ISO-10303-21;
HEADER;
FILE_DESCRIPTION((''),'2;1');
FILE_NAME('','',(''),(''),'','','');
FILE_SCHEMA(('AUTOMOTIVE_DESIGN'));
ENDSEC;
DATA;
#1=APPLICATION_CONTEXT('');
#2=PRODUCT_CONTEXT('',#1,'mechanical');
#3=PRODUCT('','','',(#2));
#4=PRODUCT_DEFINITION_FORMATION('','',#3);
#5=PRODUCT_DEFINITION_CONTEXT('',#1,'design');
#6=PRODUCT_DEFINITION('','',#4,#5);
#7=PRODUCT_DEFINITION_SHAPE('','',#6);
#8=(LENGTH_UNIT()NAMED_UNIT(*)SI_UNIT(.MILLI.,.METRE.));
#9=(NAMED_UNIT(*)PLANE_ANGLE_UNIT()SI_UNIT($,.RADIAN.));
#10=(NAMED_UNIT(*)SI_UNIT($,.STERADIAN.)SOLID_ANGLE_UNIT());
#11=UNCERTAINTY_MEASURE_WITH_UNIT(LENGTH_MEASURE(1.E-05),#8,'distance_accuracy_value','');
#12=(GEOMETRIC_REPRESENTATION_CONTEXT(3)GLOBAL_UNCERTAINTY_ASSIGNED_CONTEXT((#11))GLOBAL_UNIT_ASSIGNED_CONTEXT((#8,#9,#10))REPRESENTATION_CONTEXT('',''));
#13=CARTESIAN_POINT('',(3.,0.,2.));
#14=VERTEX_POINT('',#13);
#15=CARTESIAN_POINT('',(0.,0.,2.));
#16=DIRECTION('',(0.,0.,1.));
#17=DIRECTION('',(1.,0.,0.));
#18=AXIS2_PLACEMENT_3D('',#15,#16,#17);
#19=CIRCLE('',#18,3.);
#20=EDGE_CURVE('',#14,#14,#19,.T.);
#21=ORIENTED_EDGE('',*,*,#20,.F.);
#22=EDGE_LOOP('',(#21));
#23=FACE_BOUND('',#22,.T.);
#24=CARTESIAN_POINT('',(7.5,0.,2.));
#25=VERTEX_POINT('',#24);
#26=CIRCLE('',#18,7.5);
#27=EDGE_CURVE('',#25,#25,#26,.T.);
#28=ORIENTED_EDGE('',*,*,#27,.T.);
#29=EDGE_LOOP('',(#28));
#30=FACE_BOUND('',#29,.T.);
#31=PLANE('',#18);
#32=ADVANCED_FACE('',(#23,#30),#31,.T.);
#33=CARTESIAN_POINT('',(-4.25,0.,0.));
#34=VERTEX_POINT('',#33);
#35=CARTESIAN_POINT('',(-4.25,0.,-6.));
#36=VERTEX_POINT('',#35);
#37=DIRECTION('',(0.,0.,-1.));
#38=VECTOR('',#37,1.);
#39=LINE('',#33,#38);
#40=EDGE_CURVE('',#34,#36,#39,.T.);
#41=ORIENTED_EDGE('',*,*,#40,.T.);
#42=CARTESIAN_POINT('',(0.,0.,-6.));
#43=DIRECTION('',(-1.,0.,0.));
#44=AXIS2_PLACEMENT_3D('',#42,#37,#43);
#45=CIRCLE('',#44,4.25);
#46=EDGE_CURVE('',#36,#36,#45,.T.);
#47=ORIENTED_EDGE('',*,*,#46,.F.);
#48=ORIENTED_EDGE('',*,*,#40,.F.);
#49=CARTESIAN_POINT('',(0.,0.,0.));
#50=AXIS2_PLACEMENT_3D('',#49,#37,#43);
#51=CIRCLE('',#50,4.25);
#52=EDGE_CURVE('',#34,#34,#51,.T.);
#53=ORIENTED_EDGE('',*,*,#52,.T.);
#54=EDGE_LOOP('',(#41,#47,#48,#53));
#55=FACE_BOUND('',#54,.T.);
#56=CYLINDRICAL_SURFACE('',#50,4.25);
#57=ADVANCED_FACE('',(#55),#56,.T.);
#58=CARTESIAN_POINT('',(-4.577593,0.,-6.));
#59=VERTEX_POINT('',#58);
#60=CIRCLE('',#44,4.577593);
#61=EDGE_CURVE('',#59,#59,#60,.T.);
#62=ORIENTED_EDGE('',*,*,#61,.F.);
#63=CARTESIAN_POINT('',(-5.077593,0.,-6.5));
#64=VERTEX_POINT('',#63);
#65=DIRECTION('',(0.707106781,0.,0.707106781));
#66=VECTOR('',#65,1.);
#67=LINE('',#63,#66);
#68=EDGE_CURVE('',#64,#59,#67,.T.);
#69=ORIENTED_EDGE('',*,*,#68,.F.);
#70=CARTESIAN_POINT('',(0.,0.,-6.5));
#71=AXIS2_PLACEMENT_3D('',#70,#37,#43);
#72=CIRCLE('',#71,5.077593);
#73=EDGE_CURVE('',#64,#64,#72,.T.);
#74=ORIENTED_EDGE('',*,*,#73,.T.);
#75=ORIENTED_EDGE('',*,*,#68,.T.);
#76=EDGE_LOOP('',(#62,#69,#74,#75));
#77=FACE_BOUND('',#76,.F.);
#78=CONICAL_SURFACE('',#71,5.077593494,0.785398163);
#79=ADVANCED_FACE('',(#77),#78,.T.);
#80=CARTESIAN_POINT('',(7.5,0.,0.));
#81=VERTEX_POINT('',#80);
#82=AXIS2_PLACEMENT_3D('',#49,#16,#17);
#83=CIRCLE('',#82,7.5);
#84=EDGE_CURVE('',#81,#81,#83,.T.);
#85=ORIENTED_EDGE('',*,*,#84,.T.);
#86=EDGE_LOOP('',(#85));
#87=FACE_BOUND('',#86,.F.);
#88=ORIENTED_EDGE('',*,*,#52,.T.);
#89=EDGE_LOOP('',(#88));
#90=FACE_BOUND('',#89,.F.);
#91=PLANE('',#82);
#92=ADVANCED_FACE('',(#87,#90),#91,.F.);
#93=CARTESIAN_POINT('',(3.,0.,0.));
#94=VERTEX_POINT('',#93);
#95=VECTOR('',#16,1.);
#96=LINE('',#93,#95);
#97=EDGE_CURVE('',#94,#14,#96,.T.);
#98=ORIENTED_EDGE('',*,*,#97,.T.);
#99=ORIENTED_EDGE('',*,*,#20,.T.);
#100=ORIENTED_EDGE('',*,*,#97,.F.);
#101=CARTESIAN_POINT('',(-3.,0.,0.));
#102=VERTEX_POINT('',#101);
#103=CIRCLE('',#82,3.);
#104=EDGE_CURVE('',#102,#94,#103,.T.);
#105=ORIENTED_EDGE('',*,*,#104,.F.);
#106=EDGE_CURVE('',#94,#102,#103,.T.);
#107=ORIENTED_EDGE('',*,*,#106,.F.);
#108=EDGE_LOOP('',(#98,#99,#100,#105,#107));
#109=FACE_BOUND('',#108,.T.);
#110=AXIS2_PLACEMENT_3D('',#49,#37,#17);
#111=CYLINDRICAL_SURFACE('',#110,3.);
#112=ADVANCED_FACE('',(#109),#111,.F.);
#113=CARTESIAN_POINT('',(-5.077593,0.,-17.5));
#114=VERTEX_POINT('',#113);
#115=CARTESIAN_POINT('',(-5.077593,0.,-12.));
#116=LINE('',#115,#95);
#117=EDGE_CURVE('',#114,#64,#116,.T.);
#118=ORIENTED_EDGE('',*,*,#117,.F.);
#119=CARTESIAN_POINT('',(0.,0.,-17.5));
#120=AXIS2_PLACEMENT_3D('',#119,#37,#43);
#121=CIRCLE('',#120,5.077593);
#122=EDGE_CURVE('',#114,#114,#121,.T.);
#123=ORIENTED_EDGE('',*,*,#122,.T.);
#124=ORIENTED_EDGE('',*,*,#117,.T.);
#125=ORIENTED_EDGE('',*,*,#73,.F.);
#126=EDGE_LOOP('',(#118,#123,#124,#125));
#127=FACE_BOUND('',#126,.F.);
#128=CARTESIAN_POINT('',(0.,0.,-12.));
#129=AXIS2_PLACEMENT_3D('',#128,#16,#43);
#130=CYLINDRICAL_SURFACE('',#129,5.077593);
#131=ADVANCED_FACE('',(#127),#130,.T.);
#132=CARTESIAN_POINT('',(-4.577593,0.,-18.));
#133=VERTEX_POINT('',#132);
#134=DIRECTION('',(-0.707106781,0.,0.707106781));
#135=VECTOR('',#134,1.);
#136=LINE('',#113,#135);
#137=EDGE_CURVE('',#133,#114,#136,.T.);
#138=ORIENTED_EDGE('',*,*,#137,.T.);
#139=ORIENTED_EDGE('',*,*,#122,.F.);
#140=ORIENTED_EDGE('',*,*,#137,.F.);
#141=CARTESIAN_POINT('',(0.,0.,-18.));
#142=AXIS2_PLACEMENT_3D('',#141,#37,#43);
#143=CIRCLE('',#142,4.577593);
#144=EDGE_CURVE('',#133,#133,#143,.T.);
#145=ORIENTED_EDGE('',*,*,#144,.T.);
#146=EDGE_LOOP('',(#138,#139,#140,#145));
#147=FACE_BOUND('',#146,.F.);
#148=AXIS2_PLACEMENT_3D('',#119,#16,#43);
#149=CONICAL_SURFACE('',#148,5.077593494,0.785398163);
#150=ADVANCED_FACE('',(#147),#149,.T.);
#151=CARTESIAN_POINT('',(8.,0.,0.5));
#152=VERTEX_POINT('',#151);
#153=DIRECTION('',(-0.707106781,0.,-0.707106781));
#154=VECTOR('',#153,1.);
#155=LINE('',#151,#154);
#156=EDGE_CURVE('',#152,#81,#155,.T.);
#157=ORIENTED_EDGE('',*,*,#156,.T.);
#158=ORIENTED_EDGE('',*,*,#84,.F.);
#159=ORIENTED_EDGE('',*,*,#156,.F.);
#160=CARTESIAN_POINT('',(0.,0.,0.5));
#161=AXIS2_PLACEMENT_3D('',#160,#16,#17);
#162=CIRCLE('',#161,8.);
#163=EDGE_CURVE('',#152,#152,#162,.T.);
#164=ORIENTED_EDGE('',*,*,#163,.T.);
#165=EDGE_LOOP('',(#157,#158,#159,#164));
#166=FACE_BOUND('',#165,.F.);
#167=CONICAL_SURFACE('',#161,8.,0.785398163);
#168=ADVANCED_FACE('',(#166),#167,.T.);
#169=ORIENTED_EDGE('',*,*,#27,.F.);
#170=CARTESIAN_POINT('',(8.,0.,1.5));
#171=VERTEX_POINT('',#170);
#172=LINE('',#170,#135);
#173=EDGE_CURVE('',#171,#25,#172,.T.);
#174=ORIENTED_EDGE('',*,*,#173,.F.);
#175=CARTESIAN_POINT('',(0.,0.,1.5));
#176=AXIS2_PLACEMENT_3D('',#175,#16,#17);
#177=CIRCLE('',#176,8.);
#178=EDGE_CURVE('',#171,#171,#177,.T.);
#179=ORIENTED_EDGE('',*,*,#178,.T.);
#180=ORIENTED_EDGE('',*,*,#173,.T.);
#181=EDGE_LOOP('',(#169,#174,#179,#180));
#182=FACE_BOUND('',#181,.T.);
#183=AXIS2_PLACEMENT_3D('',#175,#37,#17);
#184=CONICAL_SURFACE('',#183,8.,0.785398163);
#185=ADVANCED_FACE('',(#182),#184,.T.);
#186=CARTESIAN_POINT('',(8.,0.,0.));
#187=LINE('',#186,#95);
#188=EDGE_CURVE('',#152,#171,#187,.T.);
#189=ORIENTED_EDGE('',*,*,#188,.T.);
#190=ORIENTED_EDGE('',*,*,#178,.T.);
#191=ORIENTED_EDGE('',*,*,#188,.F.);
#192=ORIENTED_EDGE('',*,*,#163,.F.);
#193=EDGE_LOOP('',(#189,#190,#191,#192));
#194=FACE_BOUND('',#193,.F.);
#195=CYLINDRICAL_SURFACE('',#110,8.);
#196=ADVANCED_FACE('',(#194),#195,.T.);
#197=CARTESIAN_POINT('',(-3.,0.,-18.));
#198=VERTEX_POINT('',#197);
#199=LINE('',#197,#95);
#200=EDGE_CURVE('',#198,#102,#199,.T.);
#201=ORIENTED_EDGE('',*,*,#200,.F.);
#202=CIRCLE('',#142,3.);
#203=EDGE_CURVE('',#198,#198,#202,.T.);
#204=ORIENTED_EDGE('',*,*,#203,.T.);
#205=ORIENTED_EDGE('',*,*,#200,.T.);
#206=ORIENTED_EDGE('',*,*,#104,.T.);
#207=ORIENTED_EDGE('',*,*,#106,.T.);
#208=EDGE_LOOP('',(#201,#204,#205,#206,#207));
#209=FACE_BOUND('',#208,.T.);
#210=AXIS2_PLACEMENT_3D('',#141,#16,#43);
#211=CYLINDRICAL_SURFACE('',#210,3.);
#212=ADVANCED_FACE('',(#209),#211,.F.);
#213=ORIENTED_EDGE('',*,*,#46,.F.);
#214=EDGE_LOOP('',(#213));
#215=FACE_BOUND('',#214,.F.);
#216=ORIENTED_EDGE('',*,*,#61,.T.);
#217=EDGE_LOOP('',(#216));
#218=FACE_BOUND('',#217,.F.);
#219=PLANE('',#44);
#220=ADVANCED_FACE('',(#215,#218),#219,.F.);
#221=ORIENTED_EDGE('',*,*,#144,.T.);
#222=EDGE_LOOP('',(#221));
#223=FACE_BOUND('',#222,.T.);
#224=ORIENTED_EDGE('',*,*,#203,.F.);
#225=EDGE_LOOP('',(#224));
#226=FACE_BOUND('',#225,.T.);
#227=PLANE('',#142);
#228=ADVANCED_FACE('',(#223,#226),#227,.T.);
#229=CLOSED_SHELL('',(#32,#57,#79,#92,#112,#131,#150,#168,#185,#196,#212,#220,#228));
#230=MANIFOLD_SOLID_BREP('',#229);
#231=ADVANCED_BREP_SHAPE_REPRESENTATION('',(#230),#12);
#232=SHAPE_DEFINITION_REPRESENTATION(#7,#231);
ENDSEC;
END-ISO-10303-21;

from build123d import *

# Parameters (mm, degrees)
F0_R     = 8
F0_R_2   = 3
F2_DEPTH = 2
F3_SIZE2 = 0.5
F3_SIZE  = 0.5
F1_W     = 0.8275934942
F1_H     = 12
F5_SIZE2 = 0.5
F5_SIZE  = 0.5


with BuildPart() as f2:
    # F0 (on Top) → F2 (new body)
    with BuildSketch(Plane.XY):
        Circle(F0_R)
        Circle(F0_R_2, mode=Mode.SUBTRACT)
    extrude(amount=F2_DEPTH)

    # F3
    f3_edges = [f2.edges().sort_by_distance(p)[0] for p in [
        (8, 0, 1),
        (-8, 0, 0),
        (-8, 0, 2),
    ]]
    chamfer(f3_edges, length=F3_SIZE, length2=F3_SIZE2)

    # F1 (on Front) → F4 (revolve)
    with BuildSketch(Plane.XZ):
        Polygon((-3, -18), (-3, 0), (-4.25, 0), (-4.25, -6), (-4.25, -18), align=None)
        with Locations((-4.6637967471, -12)):
            Rectangle(F1_W, F1_H)
    revolve(axis=Axis((0, 0, -9), (0, 0, -1)))

    # F5
    f5_edges = [f2.edges().sort_by_distance(p)[0] for p in [
        (5.077593, 0, -6),
        (5.077593, 0, -18),
    ]]
    chamfer(f5_edges, length=F5_SIZE, length2=F5_SIZE2)


solid = f2.part
